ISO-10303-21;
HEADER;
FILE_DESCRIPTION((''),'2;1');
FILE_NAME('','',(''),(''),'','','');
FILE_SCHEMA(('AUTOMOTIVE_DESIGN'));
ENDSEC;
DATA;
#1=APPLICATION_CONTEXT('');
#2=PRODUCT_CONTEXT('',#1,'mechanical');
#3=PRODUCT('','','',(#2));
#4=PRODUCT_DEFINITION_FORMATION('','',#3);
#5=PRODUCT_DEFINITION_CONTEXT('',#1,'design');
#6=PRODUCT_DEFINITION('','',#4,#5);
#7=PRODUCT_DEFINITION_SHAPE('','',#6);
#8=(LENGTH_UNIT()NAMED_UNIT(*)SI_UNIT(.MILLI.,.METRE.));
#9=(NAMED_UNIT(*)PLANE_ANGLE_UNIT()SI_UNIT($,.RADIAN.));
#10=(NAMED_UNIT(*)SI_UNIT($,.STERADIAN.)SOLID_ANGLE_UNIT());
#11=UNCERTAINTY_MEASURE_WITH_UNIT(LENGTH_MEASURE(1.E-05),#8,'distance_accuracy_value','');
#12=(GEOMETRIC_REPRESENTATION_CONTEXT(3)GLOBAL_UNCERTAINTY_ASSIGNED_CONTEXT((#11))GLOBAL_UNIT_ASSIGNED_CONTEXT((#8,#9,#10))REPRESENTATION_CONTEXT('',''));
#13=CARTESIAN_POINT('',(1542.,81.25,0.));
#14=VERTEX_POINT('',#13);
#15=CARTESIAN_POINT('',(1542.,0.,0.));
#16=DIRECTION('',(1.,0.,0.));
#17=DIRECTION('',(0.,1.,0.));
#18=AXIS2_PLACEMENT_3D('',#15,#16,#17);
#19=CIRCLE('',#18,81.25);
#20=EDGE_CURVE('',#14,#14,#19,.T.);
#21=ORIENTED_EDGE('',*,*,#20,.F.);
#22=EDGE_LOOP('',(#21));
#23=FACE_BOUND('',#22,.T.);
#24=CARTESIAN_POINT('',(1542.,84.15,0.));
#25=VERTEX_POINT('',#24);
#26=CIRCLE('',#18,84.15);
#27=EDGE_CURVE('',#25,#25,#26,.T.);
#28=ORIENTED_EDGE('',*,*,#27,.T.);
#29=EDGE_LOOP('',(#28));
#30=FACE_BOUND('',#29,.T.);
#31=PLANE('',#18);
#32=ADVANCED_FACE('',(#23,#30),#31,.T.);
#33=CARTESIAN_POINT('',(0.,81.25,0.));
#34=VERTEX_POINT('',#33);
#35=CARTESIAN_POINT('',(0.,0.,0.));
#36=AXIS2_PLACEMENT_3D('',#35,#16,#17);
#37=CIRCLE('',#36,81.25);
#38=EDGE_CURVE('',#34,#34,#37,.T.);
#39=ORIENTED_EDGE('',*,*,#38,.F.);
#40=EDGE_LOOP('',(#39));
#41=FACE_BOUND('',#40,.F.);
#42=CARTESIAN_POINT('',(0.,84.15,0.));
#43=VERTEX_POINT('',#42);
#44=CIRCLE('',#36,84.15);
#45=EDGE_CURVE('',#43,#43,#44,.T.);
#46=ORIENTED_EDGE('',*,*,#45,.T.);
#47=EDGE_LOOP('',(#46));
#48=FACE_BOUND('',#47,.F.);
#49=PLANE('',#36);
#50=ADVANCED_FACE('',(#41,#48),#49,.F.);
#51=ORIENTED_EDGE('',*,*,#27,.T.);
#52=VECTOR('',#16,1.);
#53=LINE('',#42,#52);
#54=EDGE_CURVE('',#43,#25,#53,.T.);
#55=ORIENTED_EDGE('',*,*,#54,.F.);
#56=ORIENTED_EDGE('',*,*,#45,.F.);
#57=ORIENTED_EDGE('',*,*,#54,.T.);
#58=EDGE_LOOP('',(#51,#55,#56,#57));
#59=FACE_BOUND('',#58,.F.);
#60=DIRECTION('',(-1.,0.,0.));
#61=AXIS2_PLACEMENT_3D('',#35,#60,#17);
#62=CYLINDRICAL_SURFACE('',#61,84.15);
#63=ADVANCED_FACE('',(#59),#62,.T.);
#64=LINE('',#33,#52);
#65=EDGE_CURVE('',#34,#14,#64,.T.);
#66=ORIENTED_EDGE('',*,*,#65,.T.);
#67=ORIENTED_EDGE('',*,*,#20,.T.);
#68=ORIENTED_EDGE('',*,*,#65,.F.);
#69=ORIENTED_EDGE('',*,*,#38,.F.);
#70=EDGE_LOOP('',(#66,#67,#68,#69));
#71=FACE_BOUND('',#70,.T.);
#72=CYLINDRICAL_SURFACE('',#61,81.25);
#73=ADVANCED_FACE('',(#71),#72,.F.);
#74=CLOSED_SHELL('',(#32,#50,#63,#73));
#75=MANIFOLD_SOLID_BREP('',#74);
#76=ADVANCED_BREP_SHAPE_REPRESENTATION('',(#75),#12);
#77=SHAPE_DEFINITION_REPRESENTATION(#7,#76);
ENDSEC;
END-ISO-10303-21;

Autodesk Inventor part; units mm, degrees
ref_plane "YZ Plane" through (0, 0, 0) normal (1, 0, 0) x (0, 1, 0)
ref_plane "XZ Plane" through (0, 0, 0) normal (0, 1, 0) x (-1, 0, 0)
ref_plane "XY Plane" through (0, 0, 0) normal (0, 0, 1) x (1, 0, 0)
sketch "Sketch1" plane through (0, 0, 0) normal (1, 0, 0) x (0, 1, 0)
  circle A0 centre (0, 0) radius 84.15
  circle A1 centre (0, 0) radius 81.25
  dimension "d0" = 168.3
  dimension "d1" = 2.9
extrude "Extrusion1" add sketch "Sketch1" along normal blind 1542
equation "\"d0\" = OD"
equation "\"d1\" = t"
equation "\"d2\" = L"
equation "\"OD\" = 168.3"
equation "\"t\" = 2.9"
equation "\"L\" = PL"
equation "\"ID\" = 162.5"
equation "\"PL\" = 1542"
equation "\"Size_Designation\" = 1.2345"
properties material "Steel"
